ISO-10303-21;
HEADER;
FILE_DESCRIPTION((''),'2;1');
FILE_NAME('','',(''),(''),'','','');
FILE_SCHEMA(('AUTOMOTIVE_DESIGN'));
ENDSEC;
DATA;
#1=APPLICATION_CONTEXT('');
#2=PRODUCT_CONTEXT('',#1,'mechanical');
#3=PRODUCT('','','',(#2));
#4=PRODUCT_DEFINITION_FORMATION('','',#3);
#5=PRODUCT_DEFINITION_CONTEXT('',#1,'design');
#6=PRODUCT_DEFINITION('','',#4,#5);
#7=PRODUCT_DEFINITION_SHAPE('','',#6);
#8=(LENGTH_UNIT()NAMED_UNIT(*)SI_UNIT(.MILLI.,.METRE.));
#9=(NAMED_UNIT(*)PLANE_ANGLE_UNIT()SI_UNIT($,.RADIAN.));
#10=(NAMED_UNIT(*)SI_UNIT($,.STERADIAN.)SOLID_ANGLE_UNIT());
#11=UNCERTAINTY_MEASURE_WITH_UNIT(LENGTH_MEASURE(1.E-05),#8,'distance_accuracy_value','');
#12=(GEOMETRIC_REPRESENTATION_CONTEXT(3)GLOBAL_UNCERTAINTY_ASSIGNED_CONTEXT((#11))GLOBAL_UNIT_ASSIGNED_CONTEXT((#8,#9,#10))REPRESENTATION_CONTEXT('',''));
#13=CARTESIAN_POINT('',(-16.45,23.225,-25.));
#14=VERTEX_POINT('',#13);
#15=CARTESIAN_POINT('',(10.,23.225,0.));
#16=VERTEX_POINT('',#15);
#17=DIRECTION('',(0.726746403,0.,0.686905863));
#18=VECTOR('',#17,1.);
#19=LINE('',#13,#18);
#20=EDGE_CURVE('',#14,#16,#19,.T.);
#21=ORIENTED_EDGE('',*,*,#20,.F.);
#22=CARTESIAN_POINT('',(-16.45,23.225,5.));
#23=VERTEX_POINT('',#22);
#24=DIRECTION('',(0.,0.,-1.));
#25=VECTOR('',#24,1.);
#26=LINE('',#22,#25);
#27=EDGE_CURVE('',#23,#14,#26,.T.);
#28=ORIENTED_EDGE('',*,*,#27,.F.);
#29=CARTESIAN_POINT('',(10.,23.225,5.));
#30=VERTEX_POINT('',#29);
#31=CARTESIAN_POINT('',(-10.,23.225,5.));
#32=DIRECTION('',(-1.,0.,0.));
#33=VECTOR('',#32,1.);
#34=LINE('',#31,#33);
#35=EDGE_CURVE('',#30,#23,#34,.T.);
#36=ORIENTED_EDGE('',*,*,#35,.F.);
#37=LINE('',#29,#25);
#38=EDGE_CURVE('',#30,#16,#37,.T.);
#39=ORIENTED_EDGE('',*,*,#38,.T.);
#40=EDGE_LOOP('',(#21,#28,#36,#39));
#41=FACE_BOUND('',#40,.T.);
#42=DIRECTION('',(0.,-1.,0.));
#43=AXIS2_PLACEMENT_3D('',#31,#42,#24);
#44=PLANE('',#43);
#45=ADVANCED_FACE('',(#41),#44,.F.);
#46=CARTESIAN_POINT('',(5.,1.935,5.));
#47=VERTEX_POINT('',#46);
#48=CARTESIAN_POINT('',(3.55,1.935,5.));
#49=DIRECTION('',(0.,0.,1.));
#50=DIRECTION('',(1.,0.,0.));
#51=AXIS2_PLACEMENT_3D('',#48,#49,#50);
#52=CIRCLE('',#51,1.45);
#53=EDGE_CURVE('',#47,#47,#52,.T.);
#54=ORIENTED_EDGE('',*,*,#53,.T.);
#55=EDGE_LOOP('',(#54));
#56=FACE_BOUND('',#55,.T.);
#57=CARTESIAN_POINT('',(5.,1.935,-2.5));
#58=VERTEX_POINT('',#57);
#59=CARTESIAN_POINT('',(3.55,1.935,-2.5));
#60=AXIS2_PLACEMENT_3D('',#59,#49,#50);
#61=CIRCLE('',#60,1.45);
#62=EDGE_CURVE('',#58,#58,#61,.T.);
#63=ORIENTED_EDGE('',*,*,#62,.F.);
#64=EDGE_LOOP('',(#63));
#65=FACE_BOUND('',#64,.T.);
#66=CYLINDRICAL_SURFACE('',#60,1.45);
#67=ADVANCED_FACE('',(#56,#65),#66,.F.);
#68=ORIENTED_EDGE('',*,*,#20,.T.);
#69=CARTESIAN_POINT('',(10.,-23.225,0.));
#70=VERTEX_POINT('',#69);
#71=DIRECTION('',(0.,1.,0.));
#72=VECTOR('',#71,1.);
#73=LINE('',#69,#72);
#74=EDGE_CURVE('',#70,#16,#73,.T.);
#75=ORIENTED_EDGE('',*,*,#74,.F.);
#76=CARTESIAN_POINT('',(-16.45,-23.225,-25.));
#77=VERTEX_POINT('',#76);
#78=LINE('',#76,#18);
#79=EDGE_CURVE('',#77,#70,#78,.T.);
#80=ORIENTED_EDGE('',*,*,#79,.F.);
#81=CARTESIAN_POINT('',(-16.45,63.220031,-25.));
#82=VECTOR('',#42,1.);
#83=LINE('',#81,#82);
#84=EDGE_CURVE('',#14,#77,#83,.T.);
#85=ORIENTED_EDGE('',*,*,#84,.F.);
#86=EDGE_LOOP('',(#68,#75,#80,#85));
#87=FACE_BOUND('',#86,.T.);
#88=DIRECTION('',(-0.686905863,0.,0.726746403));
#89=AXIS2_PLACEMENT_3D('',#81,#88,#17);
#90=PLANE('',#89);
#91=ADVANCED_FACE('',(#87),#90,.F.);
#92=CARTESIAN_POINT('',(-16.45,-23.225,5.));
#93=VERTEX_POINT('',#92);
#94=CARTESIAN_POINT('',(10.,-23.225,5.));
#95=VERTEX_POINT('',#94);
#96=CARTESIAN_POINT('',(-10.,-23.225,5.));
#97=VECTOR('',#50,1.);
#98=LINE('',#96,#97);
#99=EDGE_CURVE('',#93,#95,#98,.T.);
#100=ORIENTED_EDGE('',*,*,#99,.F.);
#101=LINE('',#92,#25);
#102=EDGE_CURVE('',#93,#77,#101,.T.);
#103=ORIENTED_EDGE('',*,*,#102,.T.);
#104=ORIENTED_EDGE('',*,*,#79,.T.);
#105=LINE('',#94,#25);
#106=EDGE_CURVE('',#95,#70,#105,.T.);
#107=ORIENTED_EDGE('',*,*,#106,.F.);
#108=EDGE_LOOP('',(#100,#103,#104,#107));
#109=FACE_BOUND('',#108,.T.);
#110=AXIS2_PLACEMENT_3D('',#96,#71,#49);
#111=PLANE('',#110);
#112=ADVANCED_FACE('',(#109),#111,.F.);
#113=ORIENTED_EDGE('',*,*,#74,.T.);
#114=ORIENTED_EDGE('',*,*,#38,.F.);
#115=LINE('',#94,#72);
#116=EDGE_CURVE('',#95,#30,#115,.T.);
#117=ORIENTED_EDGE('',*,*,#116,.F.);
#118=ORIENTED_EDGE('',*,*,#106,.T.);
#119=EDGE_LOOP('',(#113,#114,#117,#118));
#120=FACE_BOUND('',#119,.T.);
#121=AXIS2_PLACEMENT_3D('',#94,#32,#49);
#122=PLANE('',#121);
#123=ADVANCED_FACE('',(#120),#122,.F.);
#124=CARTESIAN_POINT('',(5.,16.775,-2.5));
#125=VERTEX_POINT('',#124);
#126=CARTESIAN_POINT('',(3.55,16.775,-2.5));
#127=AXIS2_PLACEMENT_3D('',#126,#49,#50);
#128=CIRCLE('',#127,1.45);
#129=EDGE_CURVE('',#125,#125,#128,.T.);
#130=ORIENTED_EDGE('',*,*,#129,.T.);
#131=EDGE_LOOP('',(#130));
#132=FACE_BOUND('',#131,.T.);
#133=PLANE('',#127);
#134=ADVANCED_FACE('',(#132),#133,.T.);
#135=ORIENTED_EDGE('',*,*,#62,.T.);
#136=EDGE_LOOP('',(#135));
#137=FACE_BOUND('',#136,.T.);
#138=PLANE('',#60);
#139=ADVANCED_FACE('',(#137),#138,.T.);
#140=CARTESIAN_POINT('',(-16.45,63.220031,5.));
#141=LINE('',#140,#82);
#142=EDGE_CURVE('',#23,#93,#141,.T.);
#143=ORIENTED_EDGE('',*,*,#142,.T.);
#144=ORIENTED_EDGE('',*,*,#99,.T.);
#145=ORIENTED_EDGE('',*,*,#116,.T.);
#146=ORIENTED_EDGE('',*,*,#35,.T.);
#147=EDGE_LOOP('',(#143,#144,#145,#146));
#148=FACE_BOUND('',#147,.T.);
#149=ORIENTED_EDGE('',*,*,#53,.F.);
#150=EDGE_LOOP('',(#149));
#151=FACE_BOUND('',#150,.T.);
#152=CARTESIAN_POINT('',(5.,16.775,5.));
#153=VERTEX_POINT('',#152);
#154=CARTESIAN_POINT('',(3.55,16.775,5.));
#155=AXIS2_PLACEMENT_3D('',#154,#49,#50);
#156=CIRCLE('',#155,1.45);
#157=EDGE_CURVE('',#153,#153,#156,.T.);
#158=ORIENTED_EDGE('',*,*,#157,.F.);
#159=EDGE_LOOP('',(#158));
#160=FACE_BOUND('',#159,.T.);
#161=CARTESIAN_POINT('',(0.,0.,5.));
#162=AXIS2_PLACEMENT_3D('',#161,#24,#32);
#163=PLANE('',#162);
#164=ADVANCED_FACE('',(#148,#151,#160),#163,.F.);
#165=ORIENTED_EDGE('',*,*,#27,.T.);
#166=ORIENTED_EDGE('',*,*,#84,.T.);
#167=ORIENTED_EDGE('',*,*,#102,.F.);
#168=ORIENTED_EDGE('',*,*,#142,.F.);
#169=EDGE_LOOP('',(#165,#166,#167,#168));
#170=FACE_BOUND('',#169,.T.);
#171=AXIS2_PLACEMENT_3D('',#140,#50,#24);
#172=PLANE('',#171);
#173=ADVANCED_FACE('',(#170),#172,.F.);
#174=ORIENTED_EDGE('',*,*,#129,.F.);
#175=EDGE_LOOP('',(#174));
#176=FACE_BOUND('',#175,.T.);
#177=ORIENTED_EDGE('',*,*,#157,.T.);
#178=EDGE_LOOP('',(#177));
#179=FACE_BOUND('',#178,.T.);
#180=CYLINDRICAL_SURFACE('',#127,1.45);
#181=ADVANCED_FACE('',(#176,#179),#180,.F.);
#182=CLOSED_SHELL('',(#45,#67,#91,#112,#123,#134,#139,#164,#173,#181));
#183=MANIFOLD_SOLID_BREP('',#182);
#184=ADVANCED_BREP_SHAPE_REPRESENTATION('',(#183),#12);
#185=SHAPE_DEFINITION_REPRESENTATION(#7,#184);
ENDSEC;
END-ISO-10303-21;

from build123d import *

# Parameters (mm, degrees)
SKETCH1_W                       = 20
SKETCH1_H                       = 46.45
BOSS_EXTRUDE1_DEPTH             = 5
BOSS_EXTRUDE4_REACH             = 27.776
BOSS_EXTRUDE4_DIRECTION_2_REACH = 27.776
SKETCH6_R                       = 1.45
CUT_EXTRUDE2_DEPTH              = 7.5


with BuildPart() as part:
    # Sketch1 → Boss-Extrude1 (new body)
    with BuildSketch(Plane.XY):
        Rectangle(SKETCH1_W, SKETCH1_H)
    extrude(amount=BOSS_EXTRUDE1_DEPTH)

    # Boss-Extrude4: up to this face of the body (flat: up to its plane)
    boss_extrude4_end = Plane(part.part.faces().sort_by_distance((0, 23.225, 2.5))[0])
    # Sketch4 → Boss-Extrude4 (add, up to the picked face)
    with BuildSketch(Plane(origin=(0, 0, 0), x_dir=(1, 0, 0), z_dir=(0, 1, 0)), mode=Mode.PRIVATE) as boss_extrude4_sk1:
        Polygon((3.55, -5), (-16.45, -5), (-16.45, 25), (10, 0), (10, -5), align=None)
    boss_extrude4_tool1 = split(extrude(boss_extrude4_sk1.sketch, amount=BOSS_EXTRUDE4_REACH, mode=Mode.PRIVATE), bisect_by=boss_extrude4_end, keep=Keep.BOTH, mode=Mode.PRIVATE)
    add(boss_extrude4_tool1.solids().sort_by(Axis((-6.37381, 0, -5.238095), (0, 1, 0)))[0])

    # Boss-Extrude4 direction 2: up to this face of the body (flat: up to its plane)
    boss_extrude4_direction_2_end = Plane(part.part.faces().sort_by_distance((0, -23.225, 2.5))[0])
    # Sketch4 → Boss-Extrude4 direction 2 (add, up to the picked face)
    with BuildSketch(Plane(origin=(0, 0, 0), x_dir=(1, 0, 0), z_dir=(0, 1, 0)), mode=Mode.PRIVATE) as boss_extrude4_direction_2_sk1:
        Polygon((3.55, -5), (-16.45, -5), (-16.45, 25), (10, 0), (10, -5), align=None)
    boss_extrude4_direction_2_tool1 = split(extrude(boss_extrude4_direction_2_sk1.sketch, amount=-BOSS_EXTRUDE4_DIRECTION_2_REACH, mode=Mode.PRIVATE), bisect_by=boss_extrude4_direction_2_end, keep=Keep.BOTH, mode=Mode.PRIVATE)
    add(boss_extrude4_direction_2_tool1.solids().sort_by(Axis((-6.37381, 0, -5.238095), (0, -1, 0)))[0])

    # Sketch6 → Cut-Extrude2 (cut)
    with BuildSketch(Plane.XY.offset(5)):
        with Locations((3.55, 16.775)):
            Circle(SKETCH6_R)
        with Locations((3.55, 1.935)):
            Circle(SKETCH6_R)
    extrude(amount=-CUT_EXTRUDE2_DEPTH, mode=Mode.SUBTRACT)


solid = part.part
